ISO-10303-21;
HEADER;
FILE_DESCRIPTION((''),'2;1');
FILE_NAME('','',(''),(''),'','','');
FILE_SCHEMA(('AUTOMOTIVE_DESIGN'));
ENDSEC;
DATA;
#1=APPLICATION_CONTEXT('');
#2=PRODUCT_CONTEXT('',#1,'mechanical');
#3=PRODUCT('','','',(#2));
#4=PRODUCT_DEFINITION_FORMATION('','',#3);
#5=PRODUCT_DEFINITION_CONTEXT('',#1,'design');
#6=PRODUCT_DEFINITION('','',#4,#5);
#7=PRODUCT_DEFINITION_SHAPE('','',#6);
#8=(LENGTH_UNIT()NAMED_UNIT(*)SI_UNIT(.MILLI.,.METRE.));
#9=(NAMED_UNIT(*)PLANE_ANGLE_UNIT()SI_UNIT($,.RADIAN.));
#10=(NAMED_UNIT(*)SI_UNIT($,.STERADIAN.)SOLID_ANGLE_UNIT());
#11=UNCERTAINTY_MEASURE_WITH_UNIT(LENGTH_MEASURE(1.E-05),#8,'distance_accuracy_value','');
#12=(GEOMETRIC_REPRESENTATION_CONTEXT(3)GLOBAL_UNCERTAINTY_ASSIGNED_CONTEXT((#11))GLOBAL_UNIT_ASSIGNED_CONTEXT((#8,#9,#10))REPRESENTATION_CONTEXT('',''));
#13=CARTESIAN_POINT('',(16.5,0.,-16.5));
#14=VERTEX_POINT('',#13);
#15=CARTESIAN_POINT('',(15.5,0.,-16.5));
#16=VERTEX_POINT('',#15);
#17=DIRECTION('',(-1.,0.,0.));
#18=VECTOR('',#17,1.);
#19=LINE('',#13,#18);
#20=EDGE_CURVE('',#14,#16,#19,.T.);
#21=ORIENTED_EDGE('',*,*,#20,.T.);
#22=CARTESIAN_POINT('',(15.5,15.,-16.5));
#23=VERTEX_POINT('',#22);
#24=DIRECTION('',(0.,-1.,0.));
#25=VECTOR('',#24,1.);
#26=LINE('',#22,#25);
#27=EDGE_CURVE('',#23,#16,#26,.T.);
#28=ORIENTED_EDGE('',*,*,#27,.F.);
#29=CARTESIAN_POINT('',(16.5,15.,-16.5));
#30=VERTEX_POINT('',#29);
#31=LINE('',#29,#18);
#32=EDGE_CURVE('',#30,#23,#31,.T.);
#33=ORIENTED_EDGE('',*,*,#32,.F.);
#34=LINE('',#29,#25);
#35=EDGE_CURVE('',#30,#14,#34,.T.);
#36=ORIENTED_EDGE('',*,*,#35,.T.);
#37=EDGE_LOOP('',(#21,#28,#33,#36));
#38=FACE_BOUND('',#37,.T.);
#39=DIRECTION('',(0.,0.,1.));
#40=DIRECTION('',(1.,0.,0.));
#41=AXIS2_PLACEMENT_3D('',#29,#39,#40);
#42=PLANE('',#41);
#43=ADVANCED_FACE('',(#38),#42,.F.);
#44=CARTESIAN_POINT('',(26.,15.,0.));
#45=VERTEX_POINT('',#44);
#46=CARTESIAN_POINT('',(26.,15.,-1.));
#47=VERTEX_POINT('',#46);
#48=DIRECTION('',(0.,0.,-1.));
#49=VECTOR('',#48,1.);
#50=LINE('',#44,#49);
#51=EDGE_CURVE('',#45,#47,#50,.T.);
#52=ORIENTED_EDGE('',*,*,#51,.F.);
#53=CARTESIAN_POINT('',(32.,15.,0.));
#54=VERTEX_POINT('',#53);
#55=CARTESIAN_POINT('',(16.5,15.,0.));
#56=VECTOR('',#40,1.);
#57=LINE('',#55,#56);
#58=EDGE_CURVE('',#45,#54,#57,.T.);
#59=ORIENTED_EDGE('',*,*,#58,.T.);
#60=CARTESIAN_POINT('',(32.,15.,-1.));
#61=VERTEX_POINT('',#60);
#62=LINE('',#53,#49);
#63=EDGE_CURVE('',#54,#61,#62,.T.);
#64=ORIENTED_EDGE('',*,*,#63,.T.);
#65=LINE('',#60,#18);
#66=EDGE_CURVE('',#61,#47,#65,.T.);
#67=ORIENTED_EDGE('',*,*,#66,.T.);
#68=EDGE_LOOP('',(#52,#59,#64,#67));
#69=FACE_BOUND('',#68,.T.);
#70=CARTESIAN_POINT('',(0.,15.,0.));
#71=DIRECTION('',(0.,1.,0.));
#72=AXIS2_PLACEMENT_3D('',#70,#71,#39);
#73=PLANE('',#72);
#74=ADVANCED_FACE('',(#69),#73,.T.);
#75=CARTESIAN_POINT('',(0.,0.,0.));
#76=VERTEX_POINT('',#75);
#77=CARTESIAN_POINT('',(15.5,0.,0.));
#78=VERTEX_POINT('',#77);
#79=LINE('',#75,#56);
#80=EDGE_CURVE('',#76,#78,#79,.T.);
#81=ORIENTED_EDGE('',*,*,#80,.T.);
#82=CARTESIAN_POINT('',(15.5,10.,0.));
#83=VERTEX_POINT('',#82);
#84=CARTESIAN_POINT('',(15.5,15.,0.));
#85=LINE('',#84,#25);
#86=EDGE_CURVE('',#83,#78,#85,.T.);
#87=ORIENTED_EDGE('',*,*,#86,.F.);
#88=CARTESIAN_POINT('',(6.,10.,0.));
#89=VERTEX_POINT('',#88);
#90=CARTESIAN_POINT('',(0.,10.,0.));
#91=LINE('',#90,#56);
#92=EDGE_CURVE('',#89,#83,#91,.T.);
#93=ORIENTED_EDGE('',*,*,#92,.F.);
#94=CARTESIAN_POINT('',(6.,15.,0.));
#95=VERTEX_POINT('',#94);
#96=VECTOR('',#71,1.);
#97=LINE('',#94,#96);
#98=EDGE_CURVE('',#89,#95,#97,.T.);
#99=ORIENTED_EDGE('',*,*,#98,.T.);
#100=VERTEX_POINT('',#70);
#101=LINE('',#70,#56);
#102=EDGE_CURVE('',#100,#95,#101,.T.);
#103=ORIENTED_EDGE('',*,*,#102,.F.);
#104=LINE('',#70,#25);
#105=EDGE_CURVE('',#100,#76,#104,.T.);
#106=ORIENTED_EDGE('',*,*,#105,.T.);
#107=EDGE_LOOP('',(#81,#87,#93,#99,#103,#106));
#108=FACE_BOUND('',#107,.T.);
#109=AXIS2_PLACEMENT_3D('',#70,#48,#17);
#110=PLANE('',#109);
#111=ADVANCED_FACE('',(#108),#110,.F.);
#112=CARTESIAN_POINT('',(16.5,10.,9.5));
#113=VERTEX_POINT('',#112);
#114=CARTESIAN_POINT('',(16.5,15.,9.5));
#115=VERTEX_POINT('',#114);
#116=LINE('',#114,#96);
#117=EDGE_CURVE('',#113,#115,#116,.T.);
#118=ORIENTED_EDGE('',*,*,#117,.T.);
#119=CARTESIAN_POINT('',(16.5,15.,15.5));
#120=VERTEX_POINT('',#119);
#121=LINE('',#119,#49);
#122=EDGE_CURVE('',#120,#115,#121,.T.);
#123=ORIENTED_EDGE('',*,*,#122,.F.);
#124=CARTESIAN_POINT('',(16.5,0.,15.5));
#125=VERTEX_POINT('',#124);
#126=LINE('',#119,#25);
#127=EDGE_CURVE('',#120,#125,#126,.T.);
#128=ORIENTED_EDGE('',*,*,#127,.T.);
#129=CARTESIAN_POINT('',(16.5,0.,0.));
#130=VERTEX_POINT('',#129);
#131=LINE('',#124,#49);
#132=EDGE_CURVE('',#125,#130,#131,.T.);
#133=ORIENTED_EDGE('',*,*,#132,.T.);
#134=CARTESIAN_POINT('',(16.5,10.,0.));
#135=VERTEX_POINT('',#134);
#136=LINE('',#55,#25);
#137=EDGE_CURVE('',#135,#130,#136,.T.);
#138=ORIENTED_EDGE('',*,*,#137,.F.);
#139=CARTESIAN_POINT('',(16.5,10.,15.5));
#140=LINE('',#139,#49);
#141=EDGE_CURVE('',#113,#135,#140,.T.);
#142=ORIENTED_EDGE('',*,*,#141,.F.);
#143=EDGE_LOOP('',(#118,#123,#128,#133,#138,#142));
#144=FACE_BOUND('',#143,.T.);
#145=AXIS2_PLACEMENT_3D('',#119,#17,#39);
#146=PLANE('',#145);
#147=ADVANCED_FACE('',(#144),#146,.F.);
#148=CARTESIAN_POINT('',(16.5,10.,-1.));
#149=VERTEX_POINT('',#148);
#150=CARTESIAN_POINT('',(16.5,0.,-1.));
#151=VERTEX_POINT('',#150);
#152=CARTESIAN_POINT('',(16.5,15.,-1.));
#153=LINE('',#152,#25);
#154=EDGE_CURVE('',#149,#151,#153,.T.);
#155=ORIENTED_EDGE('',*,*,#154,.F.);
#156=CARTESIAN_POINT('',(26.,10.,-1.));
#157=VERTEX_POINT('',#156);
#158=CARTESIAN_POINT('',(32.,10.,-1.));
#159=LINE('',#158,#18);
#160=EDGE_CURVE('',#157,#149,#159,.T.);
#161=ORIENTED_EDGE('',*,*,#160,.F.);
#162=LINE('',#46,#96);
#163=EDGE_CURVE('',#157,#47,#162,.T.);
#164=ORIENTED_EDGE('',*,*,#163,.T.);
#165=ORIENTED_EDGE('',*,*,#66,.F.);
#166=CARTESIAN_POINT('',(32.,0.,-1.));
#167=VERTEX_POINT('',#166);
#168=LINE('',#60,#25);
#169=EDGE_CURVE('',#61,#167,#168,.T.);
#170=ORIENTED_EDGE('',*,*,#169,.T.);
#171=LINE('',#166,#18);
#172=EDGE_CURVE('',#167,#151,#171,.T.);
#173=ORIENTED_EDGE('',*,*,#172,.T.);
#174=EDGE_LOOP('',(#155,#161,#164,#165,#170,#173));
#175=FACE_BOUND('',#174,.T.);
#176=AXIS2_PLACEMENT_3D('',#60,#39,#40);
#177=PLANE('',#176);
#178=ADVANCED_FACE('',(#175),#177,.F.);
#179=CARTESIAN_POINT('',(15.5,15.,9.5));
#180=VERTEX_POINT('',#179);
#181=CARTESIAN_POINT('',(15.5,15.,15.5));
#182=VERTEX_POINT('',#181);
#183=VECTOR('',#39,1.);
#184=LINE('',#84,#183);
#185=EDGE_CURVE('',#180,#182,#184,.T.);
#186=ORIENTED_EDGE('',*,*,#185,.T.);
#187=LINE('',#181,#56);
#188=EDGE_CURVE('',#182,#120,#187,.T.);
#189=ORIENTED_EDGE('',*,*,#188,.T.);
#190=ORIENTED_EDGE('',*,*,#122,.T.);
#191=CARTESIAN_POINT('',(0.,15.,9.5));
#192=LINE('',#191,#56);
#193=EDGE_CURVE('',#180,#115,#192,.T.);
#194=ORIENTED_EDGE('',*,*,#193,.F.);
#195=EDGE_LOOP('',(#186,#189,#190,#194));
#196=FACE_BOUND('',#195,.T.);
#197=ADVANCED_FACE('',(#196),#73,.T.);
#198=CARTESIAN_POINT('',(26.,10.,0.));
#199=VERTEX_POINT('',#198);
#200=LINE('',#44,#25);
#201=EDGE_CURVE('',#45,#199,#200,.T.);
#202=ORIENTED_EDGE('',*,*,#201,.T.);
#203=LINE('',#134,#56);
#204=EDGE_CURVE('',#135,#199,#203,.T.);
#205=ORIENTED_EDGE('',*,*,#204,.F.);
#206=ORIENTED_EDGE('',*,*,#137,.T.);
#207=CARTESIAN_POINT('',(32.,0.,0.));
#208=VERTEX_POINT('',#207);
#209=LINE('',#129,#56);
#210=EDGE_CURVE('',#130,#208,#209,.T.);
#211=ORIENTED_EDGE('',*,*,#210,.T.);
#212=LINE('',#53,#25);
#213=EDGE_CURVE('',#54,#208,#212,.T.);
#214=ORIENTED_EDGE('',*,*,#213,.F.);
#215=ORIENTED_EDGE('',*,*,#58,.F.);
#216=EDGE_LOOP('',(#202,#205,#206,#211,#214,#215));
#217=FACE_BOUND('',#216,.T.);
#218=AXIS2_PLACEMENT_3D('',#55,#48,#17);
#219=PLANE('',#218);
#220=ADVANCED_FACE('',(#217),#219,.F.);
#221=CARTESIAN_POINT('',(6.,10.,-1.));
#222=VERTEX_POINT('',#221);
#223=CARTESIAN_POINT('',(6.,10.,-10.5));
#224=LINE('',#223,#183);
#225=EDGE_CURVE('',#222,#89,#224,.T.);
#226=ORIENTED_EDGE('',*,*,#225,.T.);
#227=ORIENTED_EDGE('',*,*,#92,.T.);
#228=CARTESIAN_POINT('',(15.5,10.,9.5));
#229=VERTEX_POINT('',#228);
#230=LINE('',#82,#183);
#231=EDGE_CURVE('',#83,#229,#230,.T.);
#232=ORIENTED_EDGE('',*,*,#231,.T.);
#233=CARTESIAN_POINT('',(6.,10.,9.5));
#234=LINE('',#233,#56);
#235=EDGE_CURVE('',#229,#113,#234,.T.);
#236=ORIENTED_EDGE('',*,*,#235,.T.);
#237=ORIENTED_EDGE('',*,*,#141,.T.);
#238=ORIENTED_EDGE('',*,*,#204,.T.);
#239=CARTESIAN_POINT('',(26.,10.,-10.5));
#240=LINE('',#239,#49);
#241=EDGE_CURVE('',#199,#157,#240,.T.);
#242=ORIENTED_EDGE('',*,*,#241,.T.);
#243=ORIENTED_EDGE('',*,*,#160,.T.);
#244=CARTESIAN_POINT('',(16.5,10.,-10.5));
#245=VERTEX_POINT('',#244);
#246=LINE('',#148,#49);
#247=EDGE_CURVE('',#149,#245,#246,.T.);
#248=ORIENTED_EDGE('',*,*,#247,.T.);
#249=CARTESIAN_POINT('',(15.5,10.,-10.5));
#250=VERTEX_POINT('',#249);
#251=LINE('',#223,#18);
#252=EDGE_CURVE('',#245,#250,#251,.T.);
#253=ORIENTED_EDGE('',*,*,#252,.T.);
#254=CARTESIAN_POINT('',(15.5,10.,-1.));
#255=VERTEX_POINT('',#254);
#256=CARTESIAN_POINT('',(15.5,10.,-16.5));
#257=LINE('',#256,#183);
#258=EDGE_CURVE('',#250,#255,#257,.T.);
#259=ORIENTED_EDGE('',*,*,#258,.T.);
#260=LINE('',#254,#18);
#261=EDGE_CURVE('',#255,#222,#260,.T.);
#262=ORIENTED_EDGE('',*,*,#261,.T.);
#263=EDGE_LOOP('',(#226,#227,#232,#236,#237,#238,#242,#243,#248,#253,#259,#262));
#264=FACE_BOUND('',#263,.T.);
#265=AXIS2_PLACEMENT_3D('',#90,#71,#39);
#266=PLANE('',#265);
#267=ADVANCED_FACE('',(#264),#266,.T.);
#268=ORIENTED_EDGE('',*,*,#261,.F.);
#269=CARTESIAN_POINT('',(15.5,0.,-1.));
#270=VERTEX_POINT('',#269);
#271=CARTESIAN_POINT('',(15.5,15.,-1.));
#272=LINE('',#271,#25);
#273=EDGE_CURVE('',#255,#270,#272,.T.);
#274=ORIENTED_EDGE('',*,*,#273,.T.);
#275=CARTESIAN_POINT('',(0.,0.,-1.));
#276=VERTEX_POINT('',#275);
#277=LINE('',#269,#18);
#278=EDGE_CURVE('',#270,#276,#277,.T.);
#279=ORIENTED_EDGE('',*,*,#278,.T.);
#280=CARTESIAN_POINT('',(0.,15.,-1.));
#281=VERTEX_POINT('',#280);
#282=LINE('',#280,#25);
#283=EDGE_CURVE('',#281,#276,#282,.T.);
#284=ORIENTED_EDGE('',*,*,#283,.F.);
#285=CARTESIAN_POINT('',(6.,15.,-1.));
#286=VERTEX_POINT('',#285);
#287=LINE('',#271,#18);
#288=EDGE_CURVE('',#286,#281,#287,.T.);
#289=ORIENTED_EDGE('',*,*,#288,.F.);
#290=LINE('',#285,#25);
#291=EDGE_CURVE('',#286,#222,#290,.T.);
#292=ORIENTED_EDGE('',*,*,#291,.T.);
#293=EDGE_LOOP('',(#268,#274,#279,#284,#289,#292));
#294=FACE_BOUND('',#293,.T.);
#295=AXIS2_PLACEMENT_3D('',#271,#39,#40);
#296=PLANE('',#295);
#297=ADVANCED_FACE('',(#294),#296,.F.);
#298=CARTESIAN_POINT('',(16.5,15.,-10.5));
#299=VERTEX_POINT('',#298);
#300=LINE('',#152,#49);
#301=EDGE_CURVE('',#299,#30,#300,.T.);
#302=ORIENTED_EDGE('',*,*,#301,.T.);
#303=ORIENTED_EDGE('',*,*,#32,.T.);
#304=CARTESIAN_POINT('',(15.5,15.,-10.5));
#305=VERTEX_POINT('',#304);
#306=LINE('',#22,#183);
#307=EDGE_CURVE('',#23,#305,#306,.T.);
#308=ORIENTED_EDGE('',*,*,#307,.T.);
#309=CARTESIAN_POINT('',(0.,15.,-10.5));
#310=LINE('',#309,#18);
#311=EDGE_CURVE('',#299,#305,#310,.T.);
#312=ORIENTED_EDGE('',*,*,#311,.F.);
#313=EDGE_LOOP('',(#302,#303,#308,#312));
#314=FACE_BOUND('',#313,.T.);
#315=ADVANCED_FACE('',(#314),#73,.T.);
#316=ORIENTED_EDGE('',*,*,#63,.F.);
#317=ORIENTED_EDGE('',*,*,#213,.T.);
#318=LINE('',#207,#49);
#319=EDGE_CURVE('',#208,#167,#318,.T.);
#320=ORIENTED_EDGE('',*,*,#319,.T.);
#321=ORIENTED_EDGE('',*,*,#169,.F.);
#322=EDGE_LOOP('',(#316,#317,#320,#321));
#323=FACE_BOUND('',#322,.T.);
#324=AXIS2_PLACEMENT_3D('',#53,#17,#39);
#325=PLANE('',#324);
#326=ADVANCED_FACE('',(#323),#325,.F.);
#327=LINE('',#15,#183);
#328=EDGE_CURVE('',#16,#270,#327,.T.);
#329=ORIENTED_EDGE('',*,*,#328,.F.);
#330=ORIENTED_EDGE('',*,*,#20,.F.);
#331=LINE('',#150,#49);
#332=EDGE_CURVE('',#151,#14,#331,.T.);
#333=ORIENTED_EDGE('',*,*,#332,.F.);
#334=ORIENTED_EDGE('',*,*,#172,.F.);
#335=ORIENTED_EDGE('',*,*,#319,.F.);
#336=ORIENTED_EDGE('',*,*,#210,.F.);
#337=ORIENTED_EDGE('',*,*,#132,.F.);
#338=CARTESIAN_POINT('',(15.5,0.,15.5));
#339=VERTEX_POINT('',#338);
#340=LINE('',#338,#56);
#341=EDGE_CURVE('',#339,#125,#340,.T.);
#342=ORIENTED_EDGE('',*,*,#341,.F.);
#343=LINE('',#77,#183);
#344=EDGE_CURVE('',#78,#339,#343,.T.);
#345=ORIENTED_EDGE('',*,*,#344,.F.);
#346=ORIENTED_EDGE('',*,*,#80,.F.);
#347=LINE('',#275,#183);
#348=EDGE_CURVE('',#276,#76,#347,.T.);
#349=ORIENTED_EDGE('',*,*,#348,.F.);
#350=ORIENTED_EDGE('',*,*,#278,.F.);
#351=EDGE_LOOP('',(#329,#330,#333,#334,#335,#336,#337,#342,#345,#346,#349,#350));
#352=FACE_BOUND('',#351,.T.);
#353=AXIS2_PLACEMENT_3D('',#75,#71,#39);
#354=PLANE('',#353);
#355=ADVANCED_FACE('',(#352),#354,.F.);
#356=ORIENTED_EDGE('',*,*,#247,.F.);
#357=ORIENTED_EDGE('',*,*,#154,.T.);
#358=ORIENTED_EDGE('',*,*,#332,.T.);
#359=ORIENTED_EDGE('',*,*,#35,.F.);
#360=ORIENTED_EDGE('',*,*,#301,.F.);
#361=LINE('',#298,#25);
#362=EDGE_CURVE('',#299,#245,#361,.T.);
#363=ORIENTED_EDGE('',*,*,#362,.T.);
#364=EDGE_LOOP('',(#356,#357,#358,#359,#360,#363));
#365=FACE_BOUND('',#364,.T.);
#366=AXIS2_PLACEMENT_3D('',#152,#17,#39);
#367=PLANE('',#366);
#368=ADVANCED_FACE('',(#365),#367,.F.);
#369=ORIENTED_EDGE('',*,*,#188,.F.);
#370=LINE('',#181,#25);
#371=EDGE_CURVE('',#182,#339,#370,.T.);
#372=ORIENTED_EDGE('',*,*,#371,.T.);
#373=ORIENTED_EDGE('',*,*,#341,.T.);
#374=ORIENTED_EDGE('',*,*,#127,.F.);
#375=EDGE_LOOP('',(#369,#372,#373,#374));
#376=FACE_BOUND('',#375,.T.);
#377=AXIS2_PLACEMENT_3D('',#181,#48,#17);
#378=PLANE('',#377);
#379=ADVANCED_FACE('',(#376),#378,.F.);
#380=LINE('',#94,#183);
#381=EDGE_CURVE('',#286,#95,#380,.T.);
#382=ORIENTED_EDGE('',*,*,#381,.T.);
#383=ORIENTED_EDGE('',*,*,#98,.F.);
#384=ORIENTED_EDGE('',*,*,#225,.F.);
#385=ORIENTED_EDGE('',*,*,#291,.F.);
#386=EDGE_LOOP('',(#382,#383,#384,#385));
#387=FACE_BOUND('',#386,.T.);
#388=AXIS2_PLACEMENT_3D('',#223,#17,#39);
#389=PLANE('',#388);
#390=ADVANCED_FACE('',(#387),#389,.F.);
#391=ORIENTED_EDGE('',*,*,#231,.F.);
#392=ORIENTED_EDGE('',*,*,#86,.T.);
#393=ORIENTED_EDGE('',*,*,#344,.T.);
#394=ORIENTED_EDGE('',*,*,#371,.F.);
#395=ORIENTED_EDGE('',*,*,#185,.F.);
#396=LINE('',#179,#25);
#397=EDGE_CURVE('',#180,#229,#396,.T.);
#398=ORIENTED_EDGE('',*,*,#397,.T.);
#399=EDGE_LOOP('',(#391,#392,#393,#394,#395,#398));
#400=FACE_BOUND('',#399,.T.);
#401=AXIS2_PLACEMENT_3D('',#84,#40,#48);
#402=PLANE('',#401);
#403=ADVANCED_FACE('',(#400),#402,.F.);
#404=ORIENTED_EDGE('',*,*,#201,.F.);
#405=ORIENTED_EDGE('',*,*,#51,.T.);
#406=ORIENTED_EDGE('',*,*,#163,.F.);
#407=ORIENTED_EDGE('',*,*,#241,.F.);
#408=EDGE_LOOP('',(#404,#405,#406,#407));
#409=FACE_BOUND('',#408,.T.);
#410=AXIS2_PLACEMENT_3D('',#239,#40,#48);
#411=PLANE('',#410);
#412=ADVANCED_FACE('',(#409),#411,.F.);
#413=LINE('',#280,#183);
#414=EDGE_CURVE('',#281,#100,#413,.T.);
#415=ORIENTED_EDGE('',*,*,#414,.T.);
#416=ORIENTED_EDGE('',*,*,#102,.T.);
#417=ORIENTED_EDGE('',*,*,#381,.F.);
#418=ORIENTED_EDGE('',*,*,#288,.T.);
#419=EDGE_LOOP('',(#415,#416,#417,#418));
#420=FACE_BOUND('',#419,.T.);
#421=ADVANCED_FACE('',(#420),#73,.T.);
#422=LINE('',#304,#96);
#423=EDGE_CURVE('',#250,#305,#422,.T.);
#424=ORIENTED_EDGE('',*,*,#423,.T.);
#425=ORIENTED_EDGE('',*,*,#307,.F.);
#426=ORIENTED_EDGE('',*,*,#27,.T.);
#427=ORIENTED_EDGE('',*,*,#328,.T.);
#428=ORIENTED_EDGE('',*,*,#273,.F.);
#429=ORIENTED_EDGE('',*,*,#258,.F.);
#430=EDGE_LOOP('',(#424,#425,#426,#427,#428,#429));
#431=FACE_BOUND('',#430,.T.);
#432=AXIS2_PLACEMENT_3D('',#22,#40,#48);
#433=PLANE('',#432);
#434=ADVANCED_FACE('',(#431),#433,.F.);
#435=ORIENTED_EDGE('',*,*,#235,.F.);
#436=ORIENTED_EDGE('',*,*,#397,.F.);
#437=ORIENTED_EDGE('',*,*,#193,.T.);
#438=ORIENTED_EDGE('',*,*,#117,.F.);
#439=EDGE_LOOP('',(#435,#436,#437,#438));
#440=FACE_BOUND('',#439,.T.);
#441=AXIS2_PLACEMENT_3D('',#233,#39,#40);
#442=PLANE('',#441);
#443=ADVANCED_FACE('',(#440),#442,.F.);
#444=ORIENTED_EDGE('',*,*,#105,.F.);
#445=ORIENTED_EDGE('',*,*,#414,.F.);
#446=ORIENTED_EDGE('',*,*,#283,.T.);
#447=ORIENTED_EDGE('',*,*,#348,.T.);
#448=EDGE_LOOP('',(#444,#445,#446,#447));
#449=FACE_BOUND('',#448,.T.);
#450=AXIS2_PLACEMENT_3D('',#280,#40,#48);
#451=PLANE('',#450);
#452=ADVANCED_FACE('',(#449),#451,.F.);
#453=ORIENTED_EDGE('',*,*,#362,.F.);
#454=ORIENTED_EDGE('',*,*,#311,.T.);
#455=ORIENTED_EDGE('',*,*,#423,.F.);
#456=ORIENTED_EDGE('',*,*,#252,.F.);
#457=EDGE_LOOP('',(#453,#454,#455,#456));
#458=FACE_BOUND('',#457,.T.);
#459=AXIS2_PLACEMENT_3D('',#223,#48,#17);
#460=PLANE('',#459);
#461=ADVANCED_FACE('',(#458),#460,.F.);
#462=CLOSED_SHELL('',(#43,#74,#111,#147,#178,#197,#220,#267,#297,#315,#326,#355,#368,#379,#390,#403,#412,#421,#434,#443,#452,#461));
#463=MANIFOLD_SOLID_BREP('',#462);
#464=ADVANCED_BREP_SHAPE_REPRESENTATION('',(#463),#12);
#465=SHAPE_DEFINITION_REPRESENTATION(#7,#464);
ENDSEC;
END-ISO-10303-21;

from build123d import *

# Parameters (mm, degrees)
SALIENTE_EXTRUIR1_DEPTH = 15
CROQUIS2_W              = 20
CROQUIS2_H              = 20
CORTAR_EXTRUIR1_DEPTH   = 5


with BuildPart() as part:
    # Croquis1 → Saliente-Extruir1 (new body)
    with BuildSketch(Plane(origin=(0, 0, 0), x_dir=(1, 0, 0), z_dir=(0, 1, 0))):
        Polygon((0, 0), (15.5, 0), (15.5, -15.5), (16.5, -15.5), (16.5, 0), (32, 0), (32, 1), (16.5, 1), (16.5, 16.5), (15.5, 16.5), (15.5, 1), (0, 1), align=None)
    extrude(amount=SALIENTE_EXTRUIR1_DEPTH)

    # Croquis2 → Cortar-Extruir1 (cut)
    with BuildSketch(Plane(origin=(0, 15, 0), x_dir=(1, 0, 0), z_dir=(0, 1, 0))):
        with Locations((16, 0.5)):
            Rectangle(CROQUIS2_W, CROQUIS2_H)
    extrude(amount=-CORTAR_EXTRUIR1_DEPTH, mode=Mode.SUBTRACT)


solid = part.part
